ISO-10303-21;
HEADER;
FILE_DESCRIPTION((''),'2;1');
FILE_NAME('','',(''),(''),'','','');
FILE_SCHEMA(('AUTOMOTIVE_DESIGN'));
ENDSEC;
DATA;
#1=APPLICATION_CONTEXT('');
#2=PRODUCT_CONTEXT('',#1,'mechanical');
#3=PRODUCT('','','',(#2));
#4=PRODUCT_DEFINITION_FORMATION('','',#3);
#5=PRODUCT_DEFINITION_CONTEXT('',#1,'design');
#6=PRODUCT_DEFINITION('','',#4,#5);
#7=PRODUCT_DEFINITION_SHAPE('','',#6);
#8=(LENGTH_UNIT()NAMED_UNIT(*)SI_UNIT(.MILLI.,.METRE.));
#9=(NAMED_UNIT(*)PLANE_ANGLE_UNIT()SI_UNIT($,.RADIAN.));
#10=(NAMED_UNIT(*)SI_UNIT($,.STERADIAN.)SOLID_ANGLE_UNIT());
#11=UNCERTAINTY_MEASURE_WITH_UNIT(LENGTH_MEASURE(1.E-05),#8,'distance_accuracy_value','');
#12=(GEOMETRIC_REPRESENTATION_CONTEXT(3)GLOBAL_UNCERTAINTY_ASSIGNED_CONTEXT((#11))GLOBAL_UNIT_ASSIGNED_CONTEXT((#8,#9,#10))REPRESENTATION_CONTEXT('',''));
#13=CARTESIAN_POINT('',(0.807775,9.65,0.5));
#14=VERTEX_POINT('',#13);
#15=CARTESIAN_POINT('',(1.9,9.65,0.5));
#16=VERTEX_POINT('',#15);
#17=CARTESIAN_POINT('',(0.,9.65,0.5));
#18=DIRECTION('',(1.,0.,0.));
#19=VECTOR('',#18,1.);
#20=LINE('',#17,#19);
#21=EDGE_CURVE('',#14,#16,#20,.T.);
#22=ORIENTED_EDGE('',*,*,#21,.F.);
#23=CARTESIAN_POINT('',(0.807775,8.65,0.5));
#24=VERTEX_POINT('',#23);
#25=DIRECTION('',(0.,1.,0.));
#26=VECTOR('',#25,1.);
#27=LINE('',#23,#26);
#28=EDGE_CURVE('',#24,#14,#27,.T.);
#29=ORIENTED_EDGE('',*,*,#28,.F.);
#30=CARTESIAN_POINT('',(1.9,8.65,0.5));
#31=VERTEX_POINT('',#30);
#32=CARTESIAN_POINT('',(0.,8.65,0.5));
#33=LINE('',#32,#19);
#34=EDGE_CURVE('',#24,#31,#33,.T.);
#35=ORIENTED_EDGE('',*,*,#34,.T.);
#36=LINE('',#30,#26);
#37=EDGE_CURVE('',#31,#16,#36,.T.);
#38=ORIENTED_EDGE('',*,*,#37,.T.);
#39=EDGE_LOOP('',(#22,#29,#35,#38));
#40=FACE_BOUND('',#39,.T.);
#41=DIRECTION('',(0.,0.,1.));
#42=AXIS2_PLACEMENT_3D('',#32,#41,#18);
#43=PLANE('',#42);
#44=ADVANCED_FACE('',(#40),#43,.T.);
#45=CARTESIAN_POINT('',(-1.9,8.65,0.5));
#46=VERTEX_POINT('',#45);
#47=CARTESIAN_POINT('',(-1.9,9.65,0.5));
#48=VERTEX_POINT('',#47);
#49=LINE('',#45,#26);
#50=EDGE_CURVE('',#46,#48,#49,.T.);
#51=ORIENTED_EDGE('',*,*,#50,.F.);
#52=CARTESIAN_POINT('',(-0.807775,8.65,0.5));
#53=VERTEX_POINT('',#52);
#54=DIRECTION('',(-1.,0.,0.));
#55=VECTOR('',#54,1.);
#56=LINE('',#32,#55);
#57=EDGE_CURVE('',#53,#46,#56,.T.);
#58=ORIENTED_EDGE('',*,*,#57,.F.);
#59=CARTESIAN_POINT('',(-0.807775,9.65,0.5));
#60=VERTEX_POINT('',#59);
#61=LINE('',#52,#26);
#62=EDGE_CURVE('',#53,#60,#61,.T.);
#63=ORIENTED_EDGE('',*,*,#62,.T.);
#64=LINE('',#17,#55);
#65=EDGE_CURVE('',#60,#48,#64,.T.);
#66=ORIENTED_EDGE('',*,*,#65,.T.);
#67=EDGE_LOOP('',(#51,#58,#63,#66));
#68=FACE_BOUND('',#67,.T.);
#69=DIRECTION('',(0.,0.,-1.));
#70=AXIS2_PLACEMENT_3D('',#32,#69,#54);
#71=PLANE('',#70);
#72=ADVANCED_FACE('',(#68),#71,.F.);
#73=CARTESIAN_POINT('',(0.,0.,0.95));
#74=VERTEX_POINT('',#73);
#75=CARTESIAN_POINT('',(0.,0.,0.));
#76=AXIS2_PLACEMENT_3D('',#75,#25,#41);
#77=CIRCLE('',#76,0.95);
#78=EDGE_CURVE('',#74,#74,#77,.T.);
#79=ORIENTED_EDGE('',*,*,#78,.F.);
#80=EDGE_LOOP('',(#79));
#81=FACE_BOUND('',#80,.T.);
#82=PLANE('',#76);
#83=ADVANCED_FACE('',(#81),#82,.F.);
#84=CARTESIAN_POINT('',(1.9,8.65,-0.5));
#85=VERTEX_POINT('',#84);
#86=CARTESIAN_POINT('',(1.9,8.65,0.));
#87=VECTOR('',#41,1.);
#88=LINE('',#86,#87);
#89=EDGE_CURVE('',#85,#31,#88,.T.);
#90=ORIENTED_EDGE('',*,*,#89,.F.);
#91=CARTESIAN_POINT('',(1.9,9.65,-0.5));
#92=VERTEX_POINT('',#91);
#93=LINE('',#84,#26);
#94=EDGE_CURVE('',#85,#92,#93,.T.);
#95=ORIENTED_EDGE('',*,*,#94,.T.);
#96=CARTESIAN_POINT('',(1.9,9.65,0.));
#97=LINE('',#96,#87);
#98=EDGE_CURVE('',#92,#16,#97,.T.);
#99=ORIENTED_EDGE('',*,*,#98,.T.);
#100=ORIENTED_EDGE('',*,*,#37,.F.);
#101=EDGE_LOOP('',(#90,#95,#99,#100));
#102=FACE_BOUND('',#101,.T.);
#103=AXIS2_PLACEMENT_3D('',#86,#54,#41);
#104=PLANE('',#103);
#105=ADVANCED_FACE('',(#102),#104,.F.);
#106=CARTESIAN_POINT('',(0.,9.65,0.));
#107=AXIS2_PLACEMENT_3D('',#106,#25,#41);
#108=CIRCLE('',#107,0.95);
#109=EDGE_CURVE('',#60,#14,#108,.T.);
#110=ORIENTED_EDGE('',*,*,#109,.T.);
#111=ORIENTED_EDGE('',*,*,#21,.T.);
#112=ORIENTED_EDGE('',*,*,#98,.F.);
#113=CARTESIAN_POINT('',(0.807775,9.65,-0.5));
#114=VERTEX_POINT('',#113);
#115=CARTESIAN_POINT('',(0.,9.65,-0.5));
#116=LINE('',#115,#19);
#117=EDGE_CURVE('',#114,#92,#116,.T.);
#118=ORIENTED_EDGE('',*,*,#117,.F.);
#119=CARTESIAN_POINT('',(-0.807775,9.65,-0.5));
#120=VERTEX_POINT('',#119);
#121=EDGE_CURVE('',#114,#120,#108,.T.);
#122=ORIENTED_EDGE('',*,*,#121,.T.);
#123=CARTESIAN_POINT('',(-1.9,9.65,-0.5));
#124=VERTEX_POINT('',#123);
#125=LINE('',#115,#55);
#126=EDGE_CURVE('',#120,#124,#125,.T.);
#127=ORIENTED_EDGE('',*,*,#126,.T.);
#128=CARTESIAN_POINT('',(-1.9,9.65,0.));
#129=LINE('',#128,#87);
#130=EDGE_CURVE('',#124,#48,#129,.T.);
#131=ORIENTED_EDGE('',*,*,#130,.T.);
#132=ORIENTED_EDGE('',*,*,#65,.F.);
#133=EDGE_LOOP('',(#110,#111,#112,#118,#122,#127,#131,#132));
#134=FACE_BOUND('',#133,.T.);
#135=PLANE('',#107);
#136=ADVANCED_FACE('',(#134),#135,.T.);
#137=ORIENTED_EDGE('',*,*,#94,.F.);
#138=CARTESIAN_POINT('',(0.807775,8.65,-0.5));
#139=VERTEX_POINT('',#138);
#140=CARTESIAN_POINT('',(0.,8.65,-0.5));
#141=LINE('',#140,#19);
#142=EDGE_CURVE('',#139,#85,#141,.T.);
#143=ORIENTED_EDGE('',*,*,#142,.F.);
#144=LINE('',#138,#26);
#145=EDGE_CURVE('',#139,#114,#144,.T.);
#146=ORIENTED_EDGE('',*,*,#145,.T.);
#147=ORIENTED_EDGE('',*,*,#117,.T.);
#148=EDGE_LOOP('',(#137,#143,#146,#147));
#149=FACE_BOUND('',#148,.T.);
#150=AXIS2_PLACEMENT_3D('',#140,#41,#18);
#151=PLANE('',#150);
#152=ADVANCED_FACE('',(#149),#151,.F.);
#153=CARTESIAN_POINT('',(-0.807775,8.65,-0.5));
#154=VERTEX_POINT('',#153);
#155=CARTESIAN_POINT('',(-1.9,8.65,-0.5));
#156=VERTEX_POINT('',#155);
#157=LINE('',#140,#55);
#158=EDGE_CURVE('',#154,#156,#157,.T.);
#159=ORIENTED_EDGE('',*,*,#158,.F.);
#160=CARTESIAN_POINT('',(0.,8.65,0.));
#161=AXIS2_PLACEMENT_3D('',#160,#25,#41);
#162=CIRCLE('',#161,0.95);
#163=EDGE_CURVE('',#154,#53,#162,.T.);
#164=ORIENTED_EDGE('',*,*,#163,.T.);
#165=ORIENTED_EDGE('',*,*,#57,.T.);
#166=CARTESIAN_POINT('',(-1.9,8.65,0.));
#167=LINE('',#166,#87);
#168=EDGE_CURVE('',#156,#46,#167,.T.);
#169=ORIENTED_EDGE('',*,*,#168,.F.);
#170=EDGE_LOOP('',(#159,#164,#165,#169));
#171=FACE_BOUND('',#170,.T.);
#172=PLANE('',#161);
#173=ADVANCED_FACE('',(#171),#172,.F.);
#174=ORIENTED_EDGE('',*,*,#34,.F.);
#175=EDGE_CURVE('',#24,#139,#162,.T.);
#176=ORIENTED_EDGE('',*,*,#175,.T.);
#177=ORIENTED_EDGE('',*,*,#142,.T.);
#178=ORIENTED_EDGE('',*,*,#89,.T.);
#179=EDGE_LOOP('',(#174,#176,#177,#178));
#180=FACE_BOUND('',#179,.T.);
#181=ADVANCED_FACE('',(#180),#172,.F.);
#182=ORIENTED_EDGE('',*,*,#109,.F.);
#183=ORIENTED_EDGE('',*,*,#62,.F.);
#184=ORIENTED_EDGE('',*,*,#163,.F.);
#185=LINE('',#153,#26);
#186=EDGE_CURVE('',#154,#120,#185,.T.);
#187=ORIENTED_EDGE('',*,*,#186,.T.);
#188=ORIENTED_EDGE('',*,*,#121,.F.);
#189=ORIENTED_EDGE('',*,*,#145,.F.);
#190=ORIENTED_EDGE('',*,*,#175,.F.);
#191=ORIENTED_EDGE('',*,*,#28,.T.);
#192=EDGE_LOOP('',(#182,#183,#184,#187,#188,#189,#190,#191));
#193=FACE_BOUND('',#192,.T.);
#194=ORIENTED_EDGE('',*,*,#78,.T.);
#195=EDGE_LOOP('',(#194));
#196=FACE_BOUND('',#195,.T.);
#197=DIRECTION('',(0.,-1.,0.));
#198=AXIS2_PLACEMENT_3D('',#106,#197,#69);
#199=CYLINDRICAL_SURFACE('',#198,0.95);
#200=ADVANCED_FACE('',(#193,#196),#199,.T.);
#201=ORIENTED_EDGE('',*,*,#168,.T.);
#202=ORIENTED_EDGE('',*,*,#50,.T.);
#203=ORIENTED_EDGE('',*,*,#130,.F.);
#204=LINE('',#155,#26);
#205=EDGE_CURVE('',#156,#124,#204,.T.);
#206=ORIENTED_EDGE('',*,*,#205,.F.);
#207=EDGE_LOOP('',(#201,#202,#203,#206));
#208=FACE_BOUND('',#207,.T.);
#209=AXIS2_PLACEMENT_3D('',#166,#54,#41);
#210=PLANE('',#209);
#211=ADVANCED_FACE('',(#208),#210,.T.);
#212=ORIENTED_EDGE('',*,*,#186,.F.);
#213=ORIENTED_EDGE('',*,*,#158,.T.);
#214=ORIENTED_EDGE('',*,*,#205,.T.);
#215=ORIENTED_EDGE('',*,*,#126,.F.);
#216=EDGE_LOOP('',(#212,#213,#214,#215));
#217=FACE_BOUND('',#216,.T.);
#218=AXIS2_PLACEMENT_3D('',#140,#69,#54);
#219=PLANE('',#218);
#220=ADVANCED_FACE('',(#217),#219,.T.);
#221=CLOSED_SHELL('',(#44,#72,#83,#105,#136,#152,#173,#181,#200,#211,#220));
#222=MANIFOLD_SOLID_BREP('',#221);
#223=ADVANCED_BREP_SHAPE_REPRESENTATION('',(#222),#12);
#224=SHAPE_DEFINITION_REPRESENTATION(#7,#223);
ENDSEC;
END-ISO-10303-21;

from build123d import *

# Parameters (mm, degrees)
SKETCH1_R  = 0.95
BODY_DEPTH = 9.65
LOCK_DEPTH = 1


with BuildPart() as part:
    # Sketch1 → Body (new body)
    with BuildSketch(Plane(origin=(0, 0, 0), x_dir=(1, 0, 0), z_dir=(0, 1, 0))):
        Circle(SKETCH1_R)
    extrude(amount=BODY_DEPTH)

    # Sketch2 → Lock (add)
    with BuildSketch(Plane(origin=(0, 9.65, 0), x_dir=(1, 0, 0), z_dir=(0, 1, 0))):
        with BuildLine():
            ThreePointArc((-0.807774721, -0.5), (-0.95, 0), (-0.807774721, 0.5))
            Line((-0.807774721, 0.5), (-1.9, 0.5))
            Line((-1.9, 0.5), (-1.9, -0.5))
            Line((-1.9, -0.5), (-0.807774721, -0.5))
        make_face()
        with BuildLine():
            Line((1.9, 0.5), (0.807774721, 0.5))
            ThreePointArc((0.807774721, 0.5), (0.91375215, 0.259917309), (0.95, 0))
            ThreePointArc((0.95, 0), (0.91375215, -0.259917309), (0.807774721, -0.5))
            Line((0.807774721, -0.5), (1.9, -0.5))
            Line((1.9, -0.5), (1.9, 0.5))
        make_face()
    extrude(amount=-LOCK_DEPTH)


solid = part.part
